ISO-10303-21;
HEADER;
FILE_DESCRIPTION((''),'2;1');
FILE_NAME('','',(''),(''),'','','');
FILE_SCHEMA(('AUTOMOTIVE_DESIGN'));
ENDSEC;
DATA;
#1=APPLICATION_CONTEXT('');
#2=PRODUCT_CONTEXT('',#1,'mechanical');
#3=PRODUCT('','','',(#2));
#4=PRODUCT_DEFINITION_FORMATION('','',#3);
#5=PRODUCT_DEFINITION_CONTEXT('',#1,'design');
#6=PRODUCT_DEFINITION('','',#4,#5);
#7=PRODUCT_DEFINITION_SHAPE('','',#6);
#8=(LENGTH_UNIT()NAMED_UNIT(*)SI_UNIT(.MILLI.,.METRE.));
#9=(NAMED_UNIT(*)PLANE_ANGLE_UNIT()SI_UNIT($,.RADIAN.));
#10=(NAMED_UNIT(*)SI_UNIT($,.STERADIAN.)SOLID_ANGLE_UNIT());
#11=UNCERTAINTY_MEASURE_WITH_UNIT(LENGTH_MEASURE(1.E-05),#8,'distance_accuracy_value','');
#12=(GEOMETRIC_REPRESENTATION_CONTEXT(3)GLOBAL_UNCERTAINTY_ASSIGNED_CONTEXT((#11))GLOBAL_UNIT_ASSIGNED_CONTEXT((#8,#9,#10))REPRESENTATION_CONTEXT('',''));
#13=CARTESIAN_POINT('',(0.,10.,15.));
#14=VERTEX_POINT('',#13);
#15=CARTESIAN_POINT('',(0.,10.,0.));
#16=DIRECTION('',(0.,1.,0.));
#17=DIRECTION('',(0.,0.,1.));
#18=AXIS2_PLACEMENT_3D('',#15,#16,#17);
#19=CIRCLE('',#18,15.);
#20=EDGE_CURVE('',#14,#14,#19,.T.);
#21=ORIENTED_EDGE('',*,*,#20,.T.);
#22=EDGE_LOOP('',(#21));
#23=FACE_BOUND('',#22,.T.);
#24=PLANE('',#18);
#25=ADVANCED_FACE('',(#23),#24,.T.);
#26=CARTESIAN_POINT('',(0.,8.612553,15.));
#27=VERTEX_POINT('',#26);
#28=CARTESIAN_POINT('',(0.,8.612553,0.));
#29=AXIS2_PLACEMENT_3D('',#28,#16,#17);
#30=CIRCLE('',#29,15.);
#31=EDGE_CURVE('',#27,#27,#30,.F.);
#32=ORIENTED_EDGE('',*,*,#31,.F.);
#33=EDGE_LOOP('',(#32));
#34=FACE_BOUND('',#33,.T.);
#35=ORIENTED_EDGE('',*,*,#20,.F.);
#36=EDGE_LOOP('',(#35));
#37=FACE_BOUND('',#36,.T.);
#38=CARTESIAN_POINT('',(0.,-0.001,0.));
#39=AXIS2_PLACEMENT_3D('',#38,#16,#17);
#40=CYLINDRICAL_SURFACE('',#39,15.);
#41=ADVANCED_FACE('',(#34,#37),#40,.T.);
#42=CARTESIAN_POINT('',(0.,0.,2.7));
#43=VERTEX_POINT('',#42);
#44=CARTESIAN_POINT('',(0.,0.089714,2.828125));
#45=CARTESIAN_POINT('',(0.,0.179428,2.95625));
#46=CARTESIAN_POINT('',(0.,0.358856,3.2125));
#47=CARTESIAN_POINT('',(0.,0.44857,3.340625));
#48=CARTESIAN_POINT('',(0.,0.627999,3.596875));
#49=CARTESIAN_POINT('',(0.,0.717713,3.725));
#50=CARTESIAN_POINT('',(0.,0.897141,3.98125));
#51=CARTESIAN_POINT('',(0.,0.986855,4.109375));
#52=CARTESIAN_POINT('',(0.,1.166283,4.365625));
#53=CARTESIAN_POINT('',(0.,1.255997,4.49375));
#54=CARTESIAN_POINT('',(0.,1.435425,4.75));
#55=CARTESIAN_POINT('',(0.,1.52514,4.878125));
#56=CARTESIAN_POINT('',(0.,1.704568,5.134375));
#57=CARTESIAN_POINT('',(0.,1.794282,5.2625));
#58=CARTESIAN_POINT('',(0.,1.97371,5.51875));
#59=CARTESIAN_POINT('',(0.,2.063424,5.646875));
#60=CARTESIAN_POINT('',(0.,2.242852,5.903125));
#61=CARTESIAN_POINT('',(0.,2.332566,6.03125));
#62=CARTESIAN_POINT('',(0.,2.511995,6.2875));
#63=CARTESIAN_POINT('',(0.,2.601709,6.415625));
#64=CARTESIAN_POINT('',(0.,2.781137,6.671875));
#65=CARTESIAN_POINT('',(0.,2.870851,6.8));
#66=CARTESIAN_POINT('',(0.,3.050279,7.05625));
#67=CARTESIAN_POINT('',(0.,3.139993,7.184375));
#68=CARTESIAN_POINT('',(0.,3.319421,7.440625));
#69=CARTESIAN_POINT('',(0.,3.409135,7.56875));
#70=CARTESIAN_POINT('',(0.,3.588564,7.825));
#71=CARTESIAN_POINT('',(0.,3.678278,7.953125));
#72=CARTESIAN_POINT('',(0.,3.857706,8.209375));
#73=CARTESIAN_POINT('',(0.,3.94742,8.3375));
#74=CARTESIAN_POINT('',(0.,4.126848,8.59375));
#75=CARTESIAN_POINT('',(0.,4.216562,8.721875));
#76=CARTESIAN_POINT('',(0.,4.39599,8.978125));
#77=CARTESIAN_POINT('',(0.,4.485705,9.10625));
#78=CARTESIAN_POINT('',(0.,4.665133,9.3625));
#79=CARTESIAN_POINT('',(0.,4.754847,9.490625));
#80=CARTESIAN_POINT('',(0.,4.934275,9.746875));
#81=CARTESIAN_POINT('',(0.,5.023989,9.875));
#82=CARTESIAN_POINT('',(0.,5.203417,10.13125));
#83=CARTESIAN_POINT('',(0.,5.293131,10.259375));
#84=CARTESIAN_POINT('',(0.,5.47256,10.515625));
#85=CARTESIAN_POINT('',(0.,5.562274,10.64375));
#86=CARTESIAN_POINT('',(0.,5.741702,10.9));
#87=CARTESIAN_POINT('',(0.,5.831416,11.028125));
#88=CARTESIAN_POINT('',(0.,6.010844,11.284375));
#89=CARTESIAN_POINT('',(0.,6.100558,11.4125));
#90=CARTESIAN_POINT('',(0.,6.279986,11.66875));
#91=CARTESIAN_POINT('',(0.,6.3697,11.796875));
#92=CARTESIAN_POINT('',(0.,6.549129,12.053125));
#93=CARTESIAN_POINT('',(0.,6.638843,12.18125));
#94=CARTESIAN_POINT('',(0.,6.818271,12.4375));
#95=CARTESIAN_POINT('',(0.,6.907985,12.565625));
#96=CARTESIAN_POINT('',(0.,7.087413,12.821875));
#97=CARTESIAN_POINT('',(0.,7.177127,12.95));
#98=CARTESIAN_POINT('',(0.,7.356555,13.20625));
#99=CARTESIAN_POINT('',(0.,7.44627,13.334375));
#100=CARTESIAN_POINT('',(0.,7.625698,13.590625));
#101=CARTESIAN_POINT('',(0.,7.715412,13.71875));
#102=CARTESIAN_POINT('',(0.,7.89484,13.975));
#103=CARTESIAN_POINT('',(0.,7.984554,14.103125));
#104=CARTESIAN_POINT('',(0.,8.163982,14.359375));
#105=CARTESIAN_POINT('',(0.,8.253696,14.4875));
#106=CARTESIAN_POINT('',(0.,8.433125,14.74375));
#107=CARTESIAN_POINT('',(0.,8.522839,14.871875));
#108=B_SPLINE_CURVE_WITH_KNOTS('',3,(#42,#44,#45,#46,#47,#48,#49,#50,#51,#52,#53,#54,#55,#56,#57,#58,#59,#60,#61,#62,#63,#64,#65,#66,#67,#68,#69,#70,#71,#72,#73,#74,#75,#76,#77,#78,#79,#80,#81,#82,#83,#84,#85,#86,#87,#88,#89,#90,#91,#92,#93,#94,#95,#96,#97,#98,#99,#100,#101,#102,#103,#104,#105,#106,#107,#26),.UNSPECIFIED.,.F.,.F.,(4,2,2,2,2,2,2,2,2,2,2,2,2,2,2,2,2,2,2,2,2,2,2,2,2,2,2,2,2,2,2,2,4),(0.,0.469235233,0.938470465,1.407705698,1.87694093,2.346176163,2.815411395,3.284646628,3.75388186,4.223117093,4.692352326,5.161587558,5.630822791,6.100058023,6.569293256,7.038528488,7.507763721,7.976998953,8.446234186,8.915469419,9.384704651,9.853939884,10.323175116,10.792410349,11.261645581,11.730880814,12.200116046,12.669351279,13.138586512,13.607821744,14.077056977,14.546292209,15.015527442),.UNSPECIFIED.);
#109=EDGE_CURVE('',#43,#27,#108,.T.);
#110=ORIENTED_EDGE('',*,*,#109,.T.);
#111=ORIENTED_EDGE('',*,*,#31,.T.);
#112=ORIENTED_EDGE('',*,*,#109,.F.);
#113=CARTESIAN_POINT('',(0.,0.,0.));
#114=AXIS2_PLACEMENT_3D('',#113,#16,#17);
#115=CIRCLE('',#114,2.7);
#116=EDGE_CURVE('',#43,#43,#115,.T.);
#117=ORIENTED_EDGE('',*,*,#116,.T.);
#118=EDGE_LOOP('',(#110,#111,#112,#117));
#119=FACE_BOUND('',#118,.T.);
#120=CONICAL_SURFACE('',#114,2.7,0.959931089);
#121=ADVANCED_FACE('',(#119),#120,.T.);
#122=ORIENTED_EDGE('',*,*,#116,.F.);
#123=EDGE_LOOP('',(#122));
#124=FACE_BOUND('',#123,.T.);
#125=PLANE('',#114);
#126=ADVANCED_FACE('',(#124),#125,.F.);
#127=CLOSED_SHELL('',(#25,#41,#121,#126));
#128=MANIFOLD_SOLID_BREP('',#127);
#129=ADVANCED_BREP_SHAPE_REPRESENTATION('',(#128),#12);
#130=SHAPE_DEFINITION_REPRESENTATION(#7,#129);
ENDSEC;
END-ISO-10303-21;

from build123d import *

# Parameters (mm, degrees)
SKETCH1_R           = 2.7
BOSS_EXTRUDE1_DEPTH = 10
BOSS_EXTRUDE1_DRAFT = -55
CUT_EXTRUDE1_REACH  = 28.014
SKETCH2_R           = 16.981480067
SKETCH2_R_2         = 15


with BuildPart() as part:
    # Sketch1 → Boss-Extrude1 (with draft: the straight prism first)
    with BuildSketch(Plane(origin=(0, 0, 0), x_dir=(1, 0, 0), z_dir=(0, 1, 0))):
        Circle(SKETCH1_R)
    extrude(amount=BOSS_EXTRUDE1_DEPTH)
    # Boss-Extrude1: the draft: its side faces are tilted about the plane it starts from
    boss_extrude1_sides = [part.faces().sort_by_distance(p)[0] for p in [
        (-2.7, 5, 0),
    ]]
    draft(boss_extrude1_sides, Plane(origin=(0, 0, 0), x_dir=(1, 0, 0), z_dir=(0, 1, 0)), BOSS_EXTRUDE1_DRAFT)

    # Cut-Extrude1: up to this cone (the profile starts inside it)
    cut_extrude1_end = Plane(origin=(0, 10, 0), z_dir=(0, 1, 0)).offset(-11.890559353) * Cone(1.428e-06, 81.955759241, 57.386039421, align=(Align.CENTER, Align.CENTER, Align.MIN), mode=Mode.PRIVATE)
    # Sketch2 → Cut-Extrude1 (cut, up to the surface)
    with BuildSketch(Plane(origin=(0, 10, 0), x_dir=(1, 0, 0), z_dir=(0, 1, 0)), mode=Mode.PRIVATE) as cut_extrude1_sk1:
        Circle(SKETCH2_R)
        with Locations(Location((0, 0, 0), (0, 0, 270))):
            Circle(SKETCH2_R_2, mode=Mode.SUBTRACT)
    cut_extrude1_tool1 = extrude(cut_extrude1_sk1.sketch, amount=-CUT_EXTRUDE1_REACH, mode=Mode.PRIVATE) & cut_extrude1_end
    add(cut_extrude1_tool1.solids().sort_by_distance((-16.501171, 10, 0))[0], mode=Mode.SUBTRACT)


solid = part.part
